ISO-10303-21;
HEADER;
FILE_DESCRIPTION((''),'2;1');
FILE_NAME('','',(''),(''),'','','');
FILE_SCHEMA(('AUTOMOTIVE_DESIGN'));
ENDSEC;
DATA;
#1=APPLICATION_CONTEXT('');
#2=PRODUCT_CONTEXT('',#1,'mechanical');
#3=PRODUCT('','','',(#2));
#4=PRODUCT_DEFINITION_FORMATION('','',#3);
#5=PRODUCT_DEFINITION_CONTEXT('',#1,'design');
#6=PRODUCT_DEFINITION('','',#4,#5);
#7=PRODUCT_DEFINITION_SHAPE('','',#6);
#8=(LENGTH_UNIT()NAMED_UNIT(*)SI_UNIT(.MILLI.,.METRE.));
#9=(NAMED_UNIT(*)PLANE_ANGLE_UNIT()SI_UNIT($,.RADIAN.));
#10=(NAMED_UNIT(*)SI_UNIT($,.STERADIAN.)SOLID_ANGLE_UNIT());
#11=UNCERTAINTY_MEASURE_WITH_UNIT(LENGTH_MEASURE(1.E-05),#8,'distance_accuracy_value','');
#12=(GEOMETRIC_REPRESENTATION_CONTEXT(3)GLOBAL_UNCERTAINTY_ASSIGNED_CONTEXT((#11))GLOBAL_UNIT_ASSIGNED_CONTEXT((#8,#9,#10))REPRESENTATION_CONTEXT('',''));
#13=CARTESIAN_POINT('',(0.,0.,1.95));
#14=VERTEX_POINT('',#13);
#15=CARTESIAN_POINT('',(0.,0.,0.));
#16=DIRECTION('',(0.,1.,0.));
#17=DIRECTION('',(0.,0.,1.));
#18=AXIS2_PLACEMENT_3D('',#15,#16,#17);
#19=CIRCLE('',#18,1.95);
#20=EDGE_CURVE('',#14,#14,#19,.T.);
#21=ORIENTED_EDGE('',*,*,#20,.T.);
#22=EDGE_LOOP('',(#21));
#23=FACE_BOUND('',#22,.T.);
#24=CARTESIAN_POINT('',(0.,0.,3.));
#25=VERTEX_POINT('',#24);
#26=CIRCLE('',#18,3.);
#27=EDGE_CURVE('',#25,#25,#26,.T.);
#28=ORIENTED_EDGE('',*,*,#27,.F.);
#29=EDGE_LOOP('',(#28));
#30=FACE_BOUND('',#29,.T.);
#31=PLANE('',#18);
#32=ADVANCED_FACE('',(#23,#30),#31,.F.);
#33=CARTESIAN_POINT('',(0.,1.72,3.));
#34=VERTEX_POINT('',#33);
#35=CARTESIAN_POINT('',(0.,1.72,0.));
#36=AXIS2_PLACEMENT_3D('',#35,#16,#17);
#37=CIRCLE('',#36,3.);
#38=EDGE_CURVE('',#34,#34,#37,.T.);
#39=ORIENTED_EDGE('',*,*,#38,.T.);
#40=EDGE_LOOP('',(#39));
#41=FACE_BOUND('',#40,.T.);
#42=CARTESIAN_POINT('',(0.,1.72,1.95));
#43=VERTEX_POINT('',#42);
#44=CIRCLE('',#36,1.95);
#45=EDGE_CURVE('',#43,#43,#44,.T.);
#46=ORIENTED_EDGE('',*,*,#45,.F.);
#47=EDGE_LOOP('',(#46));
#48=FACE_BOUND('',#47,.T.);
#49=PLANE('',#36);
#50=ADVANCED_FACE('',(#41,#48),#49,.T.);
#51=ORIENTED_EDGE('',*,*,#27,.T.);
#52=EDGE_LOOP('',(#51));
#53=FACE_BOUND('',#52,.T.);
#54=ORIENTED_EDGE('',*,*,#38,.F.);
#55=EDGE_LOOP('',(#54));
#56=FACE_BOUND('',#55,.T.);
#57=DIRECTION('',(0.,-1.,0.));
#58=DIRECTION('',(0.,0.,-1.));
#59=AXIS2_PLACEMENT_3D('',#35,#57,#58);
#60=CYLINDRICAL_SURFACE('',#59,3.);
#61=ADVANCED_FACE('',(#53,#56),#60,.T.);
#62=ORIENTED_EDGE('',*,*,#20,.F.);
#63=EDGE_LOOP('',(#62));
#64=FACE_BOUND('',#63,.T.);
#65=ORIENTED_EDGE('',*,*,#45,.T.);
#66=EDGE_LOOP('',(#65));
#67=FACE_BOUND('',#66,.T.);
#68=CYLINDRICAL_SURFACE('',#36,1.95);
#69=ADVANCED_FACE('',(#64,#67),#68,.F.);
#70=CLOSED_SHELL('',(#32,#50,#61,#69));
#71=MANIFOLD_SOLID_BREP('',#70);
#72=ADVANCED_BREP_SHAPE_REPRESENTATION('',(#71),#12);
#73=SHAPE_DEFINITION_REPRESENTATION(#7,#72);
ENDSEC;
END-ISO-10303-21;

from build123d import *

# Parameters (mm, degrees)
SKETCH1_R              = 3
BOSS_EXTRUDE1_DEPTH    = 1.72
M3_5_CLEARANCE_HOLE1_D = 3.9


with BuildPart() as part:
    # Sketch1 → Boss-Extrude1 (new body)
    with BuildSketch(Plane(origin=(0, 0, 0), x_dir=(1, 0, 0), z_dir=(0, 1, 0))):
        with Locations(Location((0, 0, 0), (0, 0, 270))):
            Circle(SKETCH1_R)
    extrude(amount=BOSS_EXTRUDE1_DEPTH)

    # M3.5 Clearance Hole1 (through all)
    with Locations(Plane(origin=(0, 1.72, 0), x_dir=(1, 0, 0), z_dir=(0, 1, 0))):
        with Locations((0, 0)):
            Hole(M3_5_CLEARANCE_HOLE1_D / 2)


solid = part.part
